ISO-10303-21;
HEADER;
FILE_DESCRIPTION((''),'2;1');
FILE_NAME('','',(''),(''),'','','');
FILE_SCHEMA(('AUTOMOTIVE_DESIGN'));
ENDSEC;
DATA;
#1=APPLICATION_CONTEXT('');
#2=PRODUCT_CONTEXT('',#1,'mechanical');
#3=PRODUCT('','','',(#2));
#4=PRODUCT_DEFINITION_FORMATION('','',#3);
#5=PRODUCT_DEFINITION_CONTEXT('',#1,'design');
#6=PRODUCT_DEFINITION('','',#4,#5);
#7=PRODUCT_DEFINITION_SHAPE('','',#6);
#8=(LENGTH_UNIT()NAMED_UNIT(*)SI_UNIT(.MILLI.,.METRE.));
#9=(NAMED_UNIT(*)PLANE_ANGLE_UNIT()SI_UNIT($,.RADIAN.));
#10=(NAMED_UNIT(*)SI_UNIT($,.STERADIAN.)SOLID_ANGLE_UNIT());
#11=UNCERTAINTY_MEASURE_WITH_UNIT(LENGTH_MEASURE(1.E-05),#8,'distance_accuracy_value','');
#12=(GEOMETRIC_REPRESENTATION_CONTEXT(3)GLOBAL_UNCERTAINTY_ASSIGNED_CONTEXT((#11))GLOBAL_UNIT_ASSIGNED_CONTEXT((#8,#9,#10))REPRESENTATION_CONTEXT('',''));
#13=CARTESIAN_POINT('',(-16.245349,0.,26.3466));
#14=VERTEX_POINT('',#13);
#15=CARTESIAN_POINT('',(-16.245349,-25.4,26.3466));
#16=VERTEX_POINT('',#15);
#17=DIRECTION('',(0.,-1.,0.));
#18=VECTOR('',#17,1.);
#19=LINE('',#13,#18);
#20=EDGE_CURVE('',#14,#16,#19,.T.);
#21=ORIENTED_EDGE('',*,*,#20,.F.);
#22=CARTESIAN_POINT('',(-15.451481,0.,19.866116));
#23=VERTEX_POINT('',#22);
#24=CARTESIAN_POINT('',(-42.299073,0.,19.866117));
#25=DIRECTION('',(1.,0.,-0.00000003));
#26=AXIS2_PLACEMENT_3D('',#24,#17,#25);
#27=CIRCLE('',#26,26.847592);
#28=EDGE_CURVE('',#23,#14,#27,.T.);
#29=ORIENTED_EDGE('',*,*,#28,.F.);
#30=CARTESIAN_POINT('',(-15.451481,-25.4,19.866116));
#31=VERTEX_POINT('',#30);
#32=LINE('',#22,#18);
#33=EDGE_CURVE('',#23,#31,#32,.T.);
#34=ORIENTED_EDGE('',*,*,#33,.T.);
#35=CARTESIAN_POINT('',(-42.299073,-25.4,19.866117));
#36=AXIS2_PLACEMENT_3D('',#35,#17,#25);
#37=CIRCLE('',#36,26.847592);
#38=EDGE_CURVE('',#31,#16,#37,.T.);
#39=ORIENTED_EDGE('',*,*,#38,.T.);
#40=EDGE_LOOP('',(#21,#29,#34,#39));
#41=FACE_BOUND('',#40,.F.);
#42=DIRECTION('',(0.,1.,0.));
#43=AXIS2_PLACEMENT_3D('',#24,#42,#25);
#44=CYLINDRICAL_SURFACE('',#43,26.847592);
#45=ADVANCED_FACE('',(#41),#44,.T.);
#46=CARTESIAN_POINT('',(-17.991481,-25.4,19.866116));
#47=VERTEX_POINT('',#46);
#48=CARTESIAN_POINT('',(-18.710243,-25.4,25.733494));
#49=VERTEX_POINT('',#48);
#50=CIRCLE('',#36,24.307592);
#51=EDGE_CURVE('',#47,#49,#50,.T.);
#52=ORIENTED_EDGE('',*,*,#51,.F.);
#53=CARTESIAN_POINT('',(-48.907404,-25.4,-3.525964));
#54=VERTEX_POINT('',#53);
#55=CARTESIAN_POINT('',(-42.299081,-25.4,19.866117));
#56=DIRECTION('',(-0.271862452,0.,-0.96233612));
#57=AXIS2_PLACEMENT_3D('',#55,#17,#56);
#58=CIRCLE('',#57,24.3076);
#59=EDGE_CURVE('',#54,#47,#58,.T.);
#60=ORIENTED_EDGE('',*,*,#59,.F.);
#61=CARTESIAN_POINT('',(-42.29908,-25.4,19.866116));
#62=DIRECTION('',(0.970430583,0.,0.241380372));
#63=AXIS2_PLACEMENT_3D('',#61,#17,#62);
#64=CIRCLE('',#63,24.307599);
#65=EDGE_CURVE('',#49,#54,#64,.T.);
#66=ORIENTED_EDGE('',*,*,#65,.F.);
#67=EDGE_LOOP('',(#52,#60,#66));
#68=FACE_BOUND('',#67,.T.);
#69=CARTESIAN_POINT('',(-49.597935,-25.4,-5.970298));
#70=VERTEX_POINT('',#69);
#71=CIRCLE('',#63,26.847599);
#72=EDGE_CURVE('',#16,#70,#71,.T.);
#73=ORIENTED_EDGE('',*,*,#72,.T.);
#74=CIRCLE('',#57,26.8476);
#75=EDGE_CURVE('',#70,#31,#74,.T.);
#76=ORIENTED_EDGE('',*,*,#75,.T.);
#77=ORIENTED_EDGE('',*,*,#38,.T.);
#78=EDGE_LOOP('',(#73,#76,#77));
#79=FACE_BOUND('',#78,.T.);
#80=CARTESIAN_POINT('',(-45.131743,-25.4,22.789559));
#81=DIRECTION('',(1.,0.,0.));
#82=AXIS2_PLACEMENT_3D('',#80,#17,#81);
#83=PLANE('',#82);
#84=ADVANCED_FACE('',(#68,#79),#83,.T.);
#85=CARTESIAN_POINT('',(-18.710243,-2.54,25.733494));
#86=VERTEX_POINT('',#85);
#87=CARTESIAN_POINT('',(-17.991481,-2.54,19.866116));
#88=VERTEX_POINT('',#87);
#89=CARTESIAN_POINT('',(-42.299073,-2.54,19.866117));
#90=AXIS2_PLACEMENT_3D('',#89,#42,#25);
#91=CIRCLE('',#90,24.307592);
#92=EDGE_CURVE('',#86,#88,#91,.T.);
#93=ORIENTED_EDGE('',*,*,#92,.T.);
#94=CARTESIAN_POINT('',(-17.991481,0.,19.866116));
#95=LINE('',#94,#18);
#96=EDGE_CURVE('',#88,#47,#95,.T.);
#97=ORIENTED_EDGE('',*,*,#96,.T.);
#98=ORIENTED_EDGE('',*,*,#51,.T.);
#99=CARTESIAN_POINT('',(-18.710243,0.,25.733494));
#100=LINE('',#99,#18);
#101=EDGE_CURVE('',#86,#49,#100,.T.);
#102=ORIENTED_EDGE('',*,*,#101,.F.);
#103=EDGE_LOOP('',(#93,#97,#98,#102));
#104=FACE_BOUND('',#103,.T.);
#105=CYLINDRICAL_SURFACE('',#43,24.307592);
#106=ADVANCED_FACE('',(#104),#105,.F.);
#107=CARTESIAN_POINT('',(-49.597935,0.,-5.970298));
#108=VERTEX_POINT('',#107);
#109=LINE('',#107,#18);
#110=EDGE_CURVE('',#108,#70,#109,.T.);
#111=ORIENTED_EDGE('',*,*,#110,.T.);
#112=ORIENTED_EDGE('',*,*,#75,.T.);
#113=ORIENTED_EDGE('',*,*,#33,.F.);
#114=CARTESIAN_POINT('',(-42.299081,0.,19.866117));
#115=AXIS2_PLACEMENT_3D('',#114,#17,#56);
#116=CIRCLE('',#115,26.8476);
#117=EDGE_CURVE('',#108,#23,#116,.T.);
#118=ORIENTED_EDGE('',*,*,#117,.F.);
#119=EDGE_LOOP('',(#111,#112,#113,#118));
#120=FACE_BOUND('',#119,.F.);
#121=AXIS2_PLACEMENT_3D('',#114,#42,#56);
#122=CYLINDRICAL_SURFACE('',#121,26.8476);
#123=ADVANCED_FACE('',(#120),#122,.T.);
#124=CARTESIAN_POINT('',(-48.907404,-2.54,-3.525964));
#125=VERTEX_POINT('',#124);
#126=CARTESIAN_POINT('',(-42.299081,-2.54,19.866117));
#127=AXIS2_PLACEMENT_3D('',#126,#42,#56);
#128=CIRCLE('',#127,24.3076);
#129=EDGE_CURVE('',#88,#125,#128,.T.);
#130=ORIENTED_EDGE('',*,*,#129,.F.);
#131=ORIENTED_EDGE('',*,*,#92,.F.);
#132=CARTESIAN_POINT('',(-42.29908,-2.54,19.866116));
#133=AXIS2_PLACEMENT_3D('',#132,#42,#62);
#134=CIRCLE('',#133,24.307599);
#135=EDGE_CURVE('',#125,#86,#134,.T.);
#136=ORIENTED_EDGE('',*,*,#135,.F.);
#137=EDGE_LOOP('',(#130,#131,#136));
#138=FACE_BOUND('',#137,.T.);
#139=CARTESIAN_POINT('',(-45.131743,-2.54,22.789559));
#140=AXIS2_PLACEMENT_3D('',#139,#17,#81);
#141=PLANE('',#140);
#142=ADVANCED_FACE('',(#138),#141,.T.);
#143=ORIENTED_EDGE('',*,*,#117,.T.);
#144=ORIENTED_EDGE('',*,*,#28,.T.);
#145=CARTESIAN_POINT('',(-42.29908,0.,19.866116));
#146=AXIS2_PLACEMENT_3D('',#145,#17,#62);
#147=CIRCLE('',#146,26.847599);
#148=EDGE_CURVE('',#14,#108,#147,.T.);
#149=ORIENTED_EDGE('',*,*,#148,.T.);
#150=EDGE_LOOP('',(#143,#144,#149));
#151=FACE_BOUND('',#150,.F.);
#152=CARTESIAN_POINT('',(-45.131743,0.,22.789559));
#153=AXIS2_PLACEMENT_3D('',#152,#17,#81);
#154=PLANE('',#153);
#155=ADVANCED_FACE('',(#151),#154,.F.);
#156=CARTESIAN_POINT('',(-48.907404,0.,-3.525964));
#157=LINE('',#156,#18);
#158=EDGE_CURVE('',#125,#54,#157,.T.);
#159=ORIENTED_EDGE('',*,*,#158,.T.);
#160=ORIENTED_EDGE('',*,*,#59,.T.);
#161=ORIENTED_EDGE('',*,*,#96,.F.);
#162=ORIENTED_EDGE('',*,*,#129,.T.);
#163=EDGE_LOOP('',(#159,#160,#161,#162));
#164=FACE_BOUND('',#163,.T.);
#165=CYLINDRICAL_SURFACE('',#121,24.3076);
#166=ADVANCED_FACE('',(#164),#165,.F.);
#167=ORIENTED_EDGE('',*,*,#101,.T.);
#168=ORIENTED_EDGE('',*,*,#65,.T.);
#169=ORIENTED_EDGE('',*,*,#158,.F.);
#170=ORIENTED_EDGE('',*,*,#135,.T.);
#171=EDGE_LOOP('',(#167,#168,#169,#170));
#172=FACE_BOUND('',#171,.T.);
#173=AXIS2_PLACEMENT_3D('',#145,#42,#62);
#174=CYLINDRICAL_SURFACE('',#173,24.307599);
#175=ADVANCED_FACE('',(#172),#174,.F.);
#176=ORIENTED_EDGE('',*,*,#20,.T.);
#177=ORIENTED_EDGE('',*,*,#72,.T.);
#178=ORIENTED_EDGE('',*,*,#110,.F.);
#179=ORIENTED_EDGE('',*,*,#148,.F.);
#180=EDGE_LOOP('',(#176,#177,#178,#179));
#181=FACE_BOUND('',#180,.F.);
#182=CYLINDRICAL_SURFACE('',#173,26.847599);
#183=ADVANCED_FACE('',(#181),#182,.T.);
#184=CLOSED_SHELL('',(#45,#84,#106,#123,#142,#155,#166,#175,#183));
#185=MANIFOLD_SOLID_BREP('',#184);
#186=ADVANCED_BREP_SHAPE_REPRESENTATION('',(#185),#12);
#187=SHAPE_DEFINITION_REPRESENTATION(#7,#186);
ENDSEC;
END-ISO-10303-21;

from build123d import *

# Parameters (mm, degrees)
F1_DEPTH = 25.4
F2_T     = -2.54


with BuildPart() as f1:
    # F0 (on Front) → F1 (new body)
    with BuildSketch(Plane.XZ):
        with BuildLine():
            ThreePointArc((-49.597935, -5.970298), (-42.262804, 19.828677), (-16.245349, 26.3466))
            ThreePointArc((-16.245349, 26.3466), (-60.981474, 39.147241), (-49.597935, -5.970298))
        make_face()
        with BuildLine():
            ThreePointArc((-49.597935, -5.970298), (-26.099746, -1.543581), (-15.451481, 19.866116))
            ThreePointArc((-15.451481, 19.866116), (-15.650687, 23.13058), (-16.245349, 26.3466))
            ThreePointArc((-16.245349, 26.3466), (-42.262804, 19.828677), (-49.597935, -5.970298))
        make_face()
    extrude(amount=F1_DEPTH)

    # F2
    f2_openings = [f1.faces().sort_by_distance(p)[0] for p in [
        (-42.299081, -25.4, 19.866116),
    ]]
    offset(amount=F2_T, openings=f2_openings)


solid = f1.part
